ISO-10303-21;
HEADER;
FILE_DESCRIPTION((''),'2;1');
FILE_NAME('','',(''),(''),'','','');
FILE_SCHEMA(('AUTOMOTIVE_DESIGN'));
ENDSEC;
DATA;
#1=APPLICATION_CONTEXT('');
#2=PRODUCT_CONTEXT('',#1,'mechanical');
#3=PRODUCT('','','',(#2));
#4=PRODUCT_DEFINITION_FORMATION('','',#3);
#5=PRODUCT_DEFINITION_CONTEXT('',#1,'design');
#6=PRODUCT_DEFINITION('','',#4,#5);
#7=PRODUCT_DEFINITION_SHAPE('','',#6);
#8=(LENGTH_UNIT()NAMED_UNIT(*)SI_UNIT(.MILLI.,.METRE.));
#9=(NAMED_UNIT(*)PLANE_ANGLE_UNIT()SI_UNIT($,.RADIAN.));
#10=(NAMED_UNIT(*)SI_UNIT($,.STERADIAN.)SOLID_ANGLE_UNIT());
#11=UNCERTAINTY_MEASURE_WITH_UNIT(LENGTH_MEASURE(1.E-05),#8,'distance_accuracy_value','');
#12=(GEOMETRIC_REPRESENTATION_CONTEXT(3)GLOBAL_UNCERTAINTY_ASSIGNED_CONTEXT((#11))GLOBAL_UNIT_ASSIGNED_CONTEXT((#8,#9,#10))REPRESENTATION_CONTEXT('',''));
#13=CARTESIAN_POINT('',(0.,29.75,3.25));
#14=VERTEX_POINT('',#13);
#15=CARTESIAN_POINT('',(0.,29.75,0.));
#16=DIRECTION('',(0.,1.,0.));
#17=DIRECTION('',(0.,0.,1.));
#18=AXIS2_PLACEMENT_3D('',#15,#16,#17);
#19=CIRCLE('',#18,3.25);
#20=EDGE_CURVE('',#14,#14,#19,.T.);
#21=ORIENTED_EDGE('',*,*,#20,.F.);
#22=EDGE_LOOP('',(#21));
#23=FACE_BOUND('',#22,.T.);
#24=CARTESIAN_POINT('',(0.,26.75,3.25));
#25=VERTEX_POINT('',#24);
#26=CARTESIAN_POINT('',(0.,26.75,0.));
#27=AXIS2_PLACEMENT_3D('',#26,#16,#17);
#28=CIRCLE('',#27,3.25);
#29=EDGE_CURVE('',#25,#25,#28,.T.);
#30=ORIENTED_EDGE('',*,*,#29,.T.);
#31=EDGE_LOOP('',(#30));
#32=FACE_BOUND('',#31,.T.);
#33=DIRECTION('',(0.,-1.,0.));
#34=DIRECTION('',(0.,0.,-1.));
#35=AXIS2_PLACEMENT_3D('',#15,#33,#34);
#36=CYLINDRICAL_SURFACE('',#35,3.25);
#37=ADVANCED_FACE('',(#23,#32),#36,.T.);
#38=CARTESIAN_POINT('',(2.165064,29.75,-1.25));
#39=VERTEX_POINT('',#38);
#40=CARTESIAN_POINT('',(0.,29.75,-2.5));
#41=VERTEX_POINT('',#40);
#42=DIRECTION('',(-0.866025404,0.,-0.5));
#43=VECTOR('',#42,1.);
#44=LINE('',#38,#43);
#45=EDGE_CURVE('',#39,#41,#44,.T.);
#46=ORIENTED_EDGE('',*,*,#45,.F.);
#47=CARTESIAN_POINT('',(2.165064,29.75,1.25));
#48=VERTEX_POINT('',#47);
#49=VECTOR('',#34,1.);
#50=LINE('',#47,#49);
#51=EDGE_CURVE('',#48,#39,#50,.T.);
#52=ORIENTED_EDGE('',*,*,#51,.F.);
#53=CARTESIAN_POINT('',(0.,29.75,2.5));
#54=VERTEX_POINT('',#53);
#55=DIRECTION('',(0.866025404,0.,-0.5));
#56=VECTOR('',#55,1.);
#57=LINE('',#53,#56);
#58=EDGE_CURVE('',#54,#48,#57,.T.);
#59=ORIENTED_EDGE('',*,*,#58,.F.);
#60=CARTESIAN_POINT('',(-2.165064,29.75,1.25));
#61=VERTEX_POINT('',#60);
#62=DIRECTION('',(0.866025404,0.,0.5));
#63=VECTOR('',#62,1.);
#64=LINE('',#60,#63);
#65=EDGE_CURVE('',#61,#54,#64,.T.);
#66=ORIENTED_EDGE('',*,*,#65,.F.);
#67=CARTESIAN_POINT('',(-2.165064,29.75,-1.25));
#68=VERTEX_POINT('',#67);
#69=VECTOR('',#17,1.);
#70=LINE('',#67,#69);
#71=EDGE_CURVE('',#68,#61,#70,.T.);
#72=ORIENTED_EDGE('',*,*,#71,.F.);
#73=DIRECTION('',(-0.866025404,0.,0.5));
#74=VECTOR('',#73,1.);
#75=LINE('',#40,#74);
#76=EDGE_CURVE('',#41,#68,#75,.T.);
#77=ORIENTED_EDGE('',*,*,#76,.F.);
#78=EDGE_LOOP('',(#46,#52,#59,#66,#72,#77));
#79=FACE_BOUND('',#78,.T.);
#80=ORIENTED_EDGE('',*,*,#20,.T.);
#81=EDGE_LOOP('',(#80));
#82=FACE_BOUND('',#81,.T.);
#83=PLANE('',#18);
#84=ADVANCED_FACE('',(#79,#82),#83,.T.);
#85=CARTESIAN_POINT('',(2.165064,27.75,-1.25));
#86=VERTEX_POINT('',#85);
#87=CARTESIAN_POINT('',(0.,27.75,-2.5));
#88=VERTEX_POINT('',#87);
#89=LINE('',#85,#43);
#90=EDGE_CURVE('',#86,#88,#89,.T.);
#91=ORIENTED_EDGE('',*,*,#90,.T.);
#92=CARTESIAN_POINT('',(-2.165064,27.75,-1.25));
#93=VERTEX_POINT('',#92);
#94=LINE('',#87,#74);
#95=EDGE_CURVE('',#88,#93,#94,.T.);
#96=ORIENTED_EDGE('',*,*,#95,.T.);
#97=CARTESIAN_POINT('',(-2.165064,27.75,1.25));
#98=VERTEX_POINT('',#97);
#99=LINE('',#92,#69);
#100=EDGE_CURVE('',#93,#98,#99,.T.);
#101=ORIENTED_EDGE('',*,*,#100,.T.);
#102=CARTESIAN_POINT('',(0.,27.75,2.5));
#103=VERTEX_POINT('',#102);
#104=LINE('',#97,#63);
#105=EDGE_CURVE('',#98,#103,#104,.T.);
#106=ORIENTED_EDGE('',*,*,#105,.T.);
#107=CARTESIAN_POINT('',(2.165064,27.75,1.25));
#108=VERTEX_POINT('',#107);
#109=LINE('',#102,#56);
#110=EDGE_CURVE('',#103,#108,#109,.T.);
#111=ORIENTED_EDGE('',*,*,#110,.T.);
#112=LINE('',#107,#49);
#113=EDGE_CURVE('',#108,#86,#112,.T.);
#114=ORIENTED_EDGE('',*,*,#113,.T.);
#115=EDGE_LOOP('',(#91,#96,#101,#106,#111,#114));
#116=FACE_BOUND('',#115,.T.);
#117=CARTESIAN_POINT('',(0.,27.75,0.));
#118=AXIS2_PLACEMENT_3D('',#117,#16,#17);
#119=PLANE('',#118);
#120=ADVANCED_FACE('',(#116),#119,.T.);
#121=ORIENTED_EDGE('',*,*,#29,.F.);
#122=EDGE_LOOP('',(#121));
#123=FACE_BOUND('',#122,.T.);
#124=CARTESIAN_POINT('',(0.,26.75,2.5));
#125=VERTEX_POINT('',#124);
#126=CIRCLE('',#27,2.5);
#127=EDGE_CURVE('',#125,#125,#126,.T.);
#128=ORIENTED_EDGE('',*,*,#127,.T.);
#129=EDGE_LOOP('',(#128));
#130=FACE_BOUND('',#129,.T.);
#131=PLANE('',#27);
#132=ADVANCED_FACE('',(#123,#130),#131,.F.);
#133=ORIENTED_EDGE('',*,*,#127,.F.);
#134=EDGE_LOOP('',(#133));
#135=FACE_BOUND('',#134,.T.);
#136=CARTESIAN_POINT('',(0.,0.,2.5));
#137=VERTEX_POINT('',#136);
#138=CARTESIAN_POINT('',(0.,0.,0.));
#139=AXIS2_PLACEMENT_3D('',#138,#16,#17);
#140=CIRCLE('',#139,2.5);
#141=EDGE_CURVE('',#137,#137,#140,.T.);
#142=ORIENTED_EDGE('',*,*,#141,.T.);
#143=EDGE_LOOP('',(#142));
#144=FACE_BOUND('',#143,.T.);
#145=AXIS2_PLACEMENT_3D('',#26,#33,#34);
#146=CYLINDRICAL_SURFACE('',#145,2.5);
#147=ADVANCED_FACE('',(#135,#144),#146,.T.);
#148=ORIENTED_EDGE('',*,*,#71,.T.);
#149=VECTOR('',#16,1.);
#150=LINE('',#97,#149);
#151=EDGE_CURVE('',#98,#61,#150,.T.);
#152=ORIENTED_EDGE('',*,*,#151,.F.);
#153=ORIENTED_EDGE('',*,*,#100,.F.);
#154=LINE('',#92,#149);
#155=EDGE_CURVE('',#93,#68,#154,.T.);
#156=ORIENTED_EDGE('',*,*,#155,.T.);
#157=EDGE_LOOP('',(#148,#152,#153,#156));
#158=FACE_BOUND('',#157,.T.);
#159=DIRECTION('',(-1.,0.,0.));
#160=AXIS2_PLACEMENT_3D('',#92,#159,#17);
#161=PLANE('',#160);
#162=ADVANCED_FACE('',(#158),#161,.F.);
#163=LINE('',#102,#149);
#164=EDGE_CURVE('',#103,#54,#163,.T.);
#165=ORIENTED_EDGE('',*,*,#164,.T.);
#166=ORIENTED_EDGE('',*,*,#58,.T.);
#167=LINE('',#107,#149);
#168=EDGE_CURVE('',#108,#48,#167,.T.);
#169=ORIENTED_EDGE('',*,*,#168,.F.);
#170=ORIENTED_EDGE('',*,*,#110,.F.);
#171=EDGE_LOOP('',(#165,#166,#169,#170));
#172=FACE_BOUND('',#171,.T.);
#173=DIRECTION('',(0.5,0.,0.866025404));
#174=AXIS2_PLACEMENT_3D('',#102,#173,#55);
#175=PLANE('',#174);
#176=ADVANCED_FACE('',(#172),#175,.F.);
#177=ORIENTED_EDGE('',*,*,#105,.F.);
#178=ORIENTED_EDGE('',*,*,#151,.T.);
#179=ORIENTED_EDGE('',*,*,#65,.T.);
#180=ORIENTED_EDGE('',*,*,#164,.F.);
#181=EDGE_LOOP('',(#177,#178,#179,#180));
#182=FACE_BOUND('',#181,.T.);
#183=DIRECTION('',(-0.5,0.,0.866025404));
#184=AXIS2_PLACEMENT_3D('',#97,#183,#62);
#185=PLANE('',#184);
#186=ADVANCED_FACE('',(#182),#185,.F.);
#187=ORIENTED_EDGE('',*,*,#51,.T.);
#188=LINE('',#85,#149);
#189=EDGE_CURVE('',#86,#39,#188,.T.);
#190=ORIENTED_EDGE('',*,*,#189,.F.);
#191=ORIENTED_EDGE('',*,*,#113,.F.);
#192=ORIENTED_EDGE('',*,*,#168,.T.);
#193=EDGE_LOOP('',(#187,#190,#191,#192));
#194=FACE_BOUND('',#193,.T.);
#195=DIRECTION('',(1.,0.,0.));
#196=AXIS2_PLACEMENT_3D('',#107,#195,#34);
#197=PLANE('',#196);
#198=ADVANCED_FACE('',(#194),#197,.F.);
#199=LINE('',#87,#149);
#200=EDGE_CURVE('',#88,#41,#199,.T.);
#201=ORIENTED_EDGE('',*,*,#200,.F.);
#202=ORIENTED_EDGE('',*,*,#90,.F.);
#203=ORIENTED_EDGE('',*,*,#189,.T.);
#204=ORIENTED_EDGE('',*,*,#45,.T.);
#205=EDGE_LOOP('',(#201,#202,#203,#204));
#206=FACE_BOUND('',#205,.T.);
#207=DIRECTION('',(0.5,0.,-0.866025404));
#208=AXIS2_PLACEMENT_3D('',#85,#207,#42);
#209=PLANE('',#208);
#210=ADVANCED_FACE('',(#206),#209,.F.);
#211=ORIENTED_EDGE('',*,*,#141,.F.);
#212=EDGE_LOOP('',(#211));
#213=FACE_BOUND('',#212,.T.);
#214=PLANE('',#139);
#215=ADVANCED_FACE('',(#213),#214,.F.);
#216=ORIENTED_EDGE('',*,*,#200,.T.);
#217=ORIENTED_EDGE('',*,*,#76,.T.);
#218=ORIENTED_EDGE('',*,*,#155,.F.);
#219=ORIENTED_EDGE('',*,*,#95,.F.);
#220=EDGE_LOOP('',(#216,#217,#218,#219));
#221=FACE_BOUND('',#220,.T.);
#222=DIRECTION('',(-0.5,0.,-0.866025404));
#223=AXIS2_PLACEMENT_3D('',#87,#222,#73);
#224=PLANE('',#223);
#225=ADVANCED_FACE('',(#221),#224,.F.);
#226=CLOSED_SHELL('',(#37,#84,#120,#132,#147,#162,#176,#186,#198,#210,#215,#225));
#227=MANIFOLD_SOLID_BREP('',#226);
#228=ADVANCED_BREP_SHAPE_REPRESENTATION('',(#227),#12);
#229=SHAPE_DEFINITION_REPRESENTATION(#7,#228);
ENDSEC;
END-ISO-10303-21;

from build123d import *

# Parameters (mm, degrees)
SKETCH1_R          = 2.5
SCREW_LENGTH_DEPTH = 26.75
SKETCH2_R          = 3.25
SCREW_CAP_DEPTH    = 3
SCREW_HOLE_DEPTH   = 2


with BuildPart() as part:
    # Sketch1 → Screw Length (new body)
    with BuildSketch(Plane(origin=(0, 0, 0), x_dir=(1, 0, 0), z_dir=(0, 1, 0))):
        with Locations(Location((0, 0, 0), (0, 0, 270))):
            Circle(SKETCH1_R)
    extrude(amount=SCREW_LENGTH_DEPTH)

    # Sketch2 → Screw Cap (add)
    with BuildSketch(Plane(origin=(0, 26.75, 0), x_dir=(1, 0, 0), z_dir=(0, 1, 0))):
        with Locations(Location((0, 0, 0), (0, 0, 270))):
            Circle(SKETCH2_R)
    extrude(amount=SCREW_CAP_DEPTH)

    # Sketch3 → Screw Hole (cut)
    with BuildSketch(Plane(origin=(0, 29.75, 0), x_dir=(1, 0, 0), z_dir=(0, 1, 0))):
        Polygon((0, 2.5), (-2.165063509, 1.25), (-2.165063509, -1.25), (0, -2.5), (2.165063509, -1.25), (2.165063509, 1.25), align=None)
    extrude(amount=-SCREW_HOLE_DEPTH, mode=Mode.SUBTRACT)


solid = part.part
